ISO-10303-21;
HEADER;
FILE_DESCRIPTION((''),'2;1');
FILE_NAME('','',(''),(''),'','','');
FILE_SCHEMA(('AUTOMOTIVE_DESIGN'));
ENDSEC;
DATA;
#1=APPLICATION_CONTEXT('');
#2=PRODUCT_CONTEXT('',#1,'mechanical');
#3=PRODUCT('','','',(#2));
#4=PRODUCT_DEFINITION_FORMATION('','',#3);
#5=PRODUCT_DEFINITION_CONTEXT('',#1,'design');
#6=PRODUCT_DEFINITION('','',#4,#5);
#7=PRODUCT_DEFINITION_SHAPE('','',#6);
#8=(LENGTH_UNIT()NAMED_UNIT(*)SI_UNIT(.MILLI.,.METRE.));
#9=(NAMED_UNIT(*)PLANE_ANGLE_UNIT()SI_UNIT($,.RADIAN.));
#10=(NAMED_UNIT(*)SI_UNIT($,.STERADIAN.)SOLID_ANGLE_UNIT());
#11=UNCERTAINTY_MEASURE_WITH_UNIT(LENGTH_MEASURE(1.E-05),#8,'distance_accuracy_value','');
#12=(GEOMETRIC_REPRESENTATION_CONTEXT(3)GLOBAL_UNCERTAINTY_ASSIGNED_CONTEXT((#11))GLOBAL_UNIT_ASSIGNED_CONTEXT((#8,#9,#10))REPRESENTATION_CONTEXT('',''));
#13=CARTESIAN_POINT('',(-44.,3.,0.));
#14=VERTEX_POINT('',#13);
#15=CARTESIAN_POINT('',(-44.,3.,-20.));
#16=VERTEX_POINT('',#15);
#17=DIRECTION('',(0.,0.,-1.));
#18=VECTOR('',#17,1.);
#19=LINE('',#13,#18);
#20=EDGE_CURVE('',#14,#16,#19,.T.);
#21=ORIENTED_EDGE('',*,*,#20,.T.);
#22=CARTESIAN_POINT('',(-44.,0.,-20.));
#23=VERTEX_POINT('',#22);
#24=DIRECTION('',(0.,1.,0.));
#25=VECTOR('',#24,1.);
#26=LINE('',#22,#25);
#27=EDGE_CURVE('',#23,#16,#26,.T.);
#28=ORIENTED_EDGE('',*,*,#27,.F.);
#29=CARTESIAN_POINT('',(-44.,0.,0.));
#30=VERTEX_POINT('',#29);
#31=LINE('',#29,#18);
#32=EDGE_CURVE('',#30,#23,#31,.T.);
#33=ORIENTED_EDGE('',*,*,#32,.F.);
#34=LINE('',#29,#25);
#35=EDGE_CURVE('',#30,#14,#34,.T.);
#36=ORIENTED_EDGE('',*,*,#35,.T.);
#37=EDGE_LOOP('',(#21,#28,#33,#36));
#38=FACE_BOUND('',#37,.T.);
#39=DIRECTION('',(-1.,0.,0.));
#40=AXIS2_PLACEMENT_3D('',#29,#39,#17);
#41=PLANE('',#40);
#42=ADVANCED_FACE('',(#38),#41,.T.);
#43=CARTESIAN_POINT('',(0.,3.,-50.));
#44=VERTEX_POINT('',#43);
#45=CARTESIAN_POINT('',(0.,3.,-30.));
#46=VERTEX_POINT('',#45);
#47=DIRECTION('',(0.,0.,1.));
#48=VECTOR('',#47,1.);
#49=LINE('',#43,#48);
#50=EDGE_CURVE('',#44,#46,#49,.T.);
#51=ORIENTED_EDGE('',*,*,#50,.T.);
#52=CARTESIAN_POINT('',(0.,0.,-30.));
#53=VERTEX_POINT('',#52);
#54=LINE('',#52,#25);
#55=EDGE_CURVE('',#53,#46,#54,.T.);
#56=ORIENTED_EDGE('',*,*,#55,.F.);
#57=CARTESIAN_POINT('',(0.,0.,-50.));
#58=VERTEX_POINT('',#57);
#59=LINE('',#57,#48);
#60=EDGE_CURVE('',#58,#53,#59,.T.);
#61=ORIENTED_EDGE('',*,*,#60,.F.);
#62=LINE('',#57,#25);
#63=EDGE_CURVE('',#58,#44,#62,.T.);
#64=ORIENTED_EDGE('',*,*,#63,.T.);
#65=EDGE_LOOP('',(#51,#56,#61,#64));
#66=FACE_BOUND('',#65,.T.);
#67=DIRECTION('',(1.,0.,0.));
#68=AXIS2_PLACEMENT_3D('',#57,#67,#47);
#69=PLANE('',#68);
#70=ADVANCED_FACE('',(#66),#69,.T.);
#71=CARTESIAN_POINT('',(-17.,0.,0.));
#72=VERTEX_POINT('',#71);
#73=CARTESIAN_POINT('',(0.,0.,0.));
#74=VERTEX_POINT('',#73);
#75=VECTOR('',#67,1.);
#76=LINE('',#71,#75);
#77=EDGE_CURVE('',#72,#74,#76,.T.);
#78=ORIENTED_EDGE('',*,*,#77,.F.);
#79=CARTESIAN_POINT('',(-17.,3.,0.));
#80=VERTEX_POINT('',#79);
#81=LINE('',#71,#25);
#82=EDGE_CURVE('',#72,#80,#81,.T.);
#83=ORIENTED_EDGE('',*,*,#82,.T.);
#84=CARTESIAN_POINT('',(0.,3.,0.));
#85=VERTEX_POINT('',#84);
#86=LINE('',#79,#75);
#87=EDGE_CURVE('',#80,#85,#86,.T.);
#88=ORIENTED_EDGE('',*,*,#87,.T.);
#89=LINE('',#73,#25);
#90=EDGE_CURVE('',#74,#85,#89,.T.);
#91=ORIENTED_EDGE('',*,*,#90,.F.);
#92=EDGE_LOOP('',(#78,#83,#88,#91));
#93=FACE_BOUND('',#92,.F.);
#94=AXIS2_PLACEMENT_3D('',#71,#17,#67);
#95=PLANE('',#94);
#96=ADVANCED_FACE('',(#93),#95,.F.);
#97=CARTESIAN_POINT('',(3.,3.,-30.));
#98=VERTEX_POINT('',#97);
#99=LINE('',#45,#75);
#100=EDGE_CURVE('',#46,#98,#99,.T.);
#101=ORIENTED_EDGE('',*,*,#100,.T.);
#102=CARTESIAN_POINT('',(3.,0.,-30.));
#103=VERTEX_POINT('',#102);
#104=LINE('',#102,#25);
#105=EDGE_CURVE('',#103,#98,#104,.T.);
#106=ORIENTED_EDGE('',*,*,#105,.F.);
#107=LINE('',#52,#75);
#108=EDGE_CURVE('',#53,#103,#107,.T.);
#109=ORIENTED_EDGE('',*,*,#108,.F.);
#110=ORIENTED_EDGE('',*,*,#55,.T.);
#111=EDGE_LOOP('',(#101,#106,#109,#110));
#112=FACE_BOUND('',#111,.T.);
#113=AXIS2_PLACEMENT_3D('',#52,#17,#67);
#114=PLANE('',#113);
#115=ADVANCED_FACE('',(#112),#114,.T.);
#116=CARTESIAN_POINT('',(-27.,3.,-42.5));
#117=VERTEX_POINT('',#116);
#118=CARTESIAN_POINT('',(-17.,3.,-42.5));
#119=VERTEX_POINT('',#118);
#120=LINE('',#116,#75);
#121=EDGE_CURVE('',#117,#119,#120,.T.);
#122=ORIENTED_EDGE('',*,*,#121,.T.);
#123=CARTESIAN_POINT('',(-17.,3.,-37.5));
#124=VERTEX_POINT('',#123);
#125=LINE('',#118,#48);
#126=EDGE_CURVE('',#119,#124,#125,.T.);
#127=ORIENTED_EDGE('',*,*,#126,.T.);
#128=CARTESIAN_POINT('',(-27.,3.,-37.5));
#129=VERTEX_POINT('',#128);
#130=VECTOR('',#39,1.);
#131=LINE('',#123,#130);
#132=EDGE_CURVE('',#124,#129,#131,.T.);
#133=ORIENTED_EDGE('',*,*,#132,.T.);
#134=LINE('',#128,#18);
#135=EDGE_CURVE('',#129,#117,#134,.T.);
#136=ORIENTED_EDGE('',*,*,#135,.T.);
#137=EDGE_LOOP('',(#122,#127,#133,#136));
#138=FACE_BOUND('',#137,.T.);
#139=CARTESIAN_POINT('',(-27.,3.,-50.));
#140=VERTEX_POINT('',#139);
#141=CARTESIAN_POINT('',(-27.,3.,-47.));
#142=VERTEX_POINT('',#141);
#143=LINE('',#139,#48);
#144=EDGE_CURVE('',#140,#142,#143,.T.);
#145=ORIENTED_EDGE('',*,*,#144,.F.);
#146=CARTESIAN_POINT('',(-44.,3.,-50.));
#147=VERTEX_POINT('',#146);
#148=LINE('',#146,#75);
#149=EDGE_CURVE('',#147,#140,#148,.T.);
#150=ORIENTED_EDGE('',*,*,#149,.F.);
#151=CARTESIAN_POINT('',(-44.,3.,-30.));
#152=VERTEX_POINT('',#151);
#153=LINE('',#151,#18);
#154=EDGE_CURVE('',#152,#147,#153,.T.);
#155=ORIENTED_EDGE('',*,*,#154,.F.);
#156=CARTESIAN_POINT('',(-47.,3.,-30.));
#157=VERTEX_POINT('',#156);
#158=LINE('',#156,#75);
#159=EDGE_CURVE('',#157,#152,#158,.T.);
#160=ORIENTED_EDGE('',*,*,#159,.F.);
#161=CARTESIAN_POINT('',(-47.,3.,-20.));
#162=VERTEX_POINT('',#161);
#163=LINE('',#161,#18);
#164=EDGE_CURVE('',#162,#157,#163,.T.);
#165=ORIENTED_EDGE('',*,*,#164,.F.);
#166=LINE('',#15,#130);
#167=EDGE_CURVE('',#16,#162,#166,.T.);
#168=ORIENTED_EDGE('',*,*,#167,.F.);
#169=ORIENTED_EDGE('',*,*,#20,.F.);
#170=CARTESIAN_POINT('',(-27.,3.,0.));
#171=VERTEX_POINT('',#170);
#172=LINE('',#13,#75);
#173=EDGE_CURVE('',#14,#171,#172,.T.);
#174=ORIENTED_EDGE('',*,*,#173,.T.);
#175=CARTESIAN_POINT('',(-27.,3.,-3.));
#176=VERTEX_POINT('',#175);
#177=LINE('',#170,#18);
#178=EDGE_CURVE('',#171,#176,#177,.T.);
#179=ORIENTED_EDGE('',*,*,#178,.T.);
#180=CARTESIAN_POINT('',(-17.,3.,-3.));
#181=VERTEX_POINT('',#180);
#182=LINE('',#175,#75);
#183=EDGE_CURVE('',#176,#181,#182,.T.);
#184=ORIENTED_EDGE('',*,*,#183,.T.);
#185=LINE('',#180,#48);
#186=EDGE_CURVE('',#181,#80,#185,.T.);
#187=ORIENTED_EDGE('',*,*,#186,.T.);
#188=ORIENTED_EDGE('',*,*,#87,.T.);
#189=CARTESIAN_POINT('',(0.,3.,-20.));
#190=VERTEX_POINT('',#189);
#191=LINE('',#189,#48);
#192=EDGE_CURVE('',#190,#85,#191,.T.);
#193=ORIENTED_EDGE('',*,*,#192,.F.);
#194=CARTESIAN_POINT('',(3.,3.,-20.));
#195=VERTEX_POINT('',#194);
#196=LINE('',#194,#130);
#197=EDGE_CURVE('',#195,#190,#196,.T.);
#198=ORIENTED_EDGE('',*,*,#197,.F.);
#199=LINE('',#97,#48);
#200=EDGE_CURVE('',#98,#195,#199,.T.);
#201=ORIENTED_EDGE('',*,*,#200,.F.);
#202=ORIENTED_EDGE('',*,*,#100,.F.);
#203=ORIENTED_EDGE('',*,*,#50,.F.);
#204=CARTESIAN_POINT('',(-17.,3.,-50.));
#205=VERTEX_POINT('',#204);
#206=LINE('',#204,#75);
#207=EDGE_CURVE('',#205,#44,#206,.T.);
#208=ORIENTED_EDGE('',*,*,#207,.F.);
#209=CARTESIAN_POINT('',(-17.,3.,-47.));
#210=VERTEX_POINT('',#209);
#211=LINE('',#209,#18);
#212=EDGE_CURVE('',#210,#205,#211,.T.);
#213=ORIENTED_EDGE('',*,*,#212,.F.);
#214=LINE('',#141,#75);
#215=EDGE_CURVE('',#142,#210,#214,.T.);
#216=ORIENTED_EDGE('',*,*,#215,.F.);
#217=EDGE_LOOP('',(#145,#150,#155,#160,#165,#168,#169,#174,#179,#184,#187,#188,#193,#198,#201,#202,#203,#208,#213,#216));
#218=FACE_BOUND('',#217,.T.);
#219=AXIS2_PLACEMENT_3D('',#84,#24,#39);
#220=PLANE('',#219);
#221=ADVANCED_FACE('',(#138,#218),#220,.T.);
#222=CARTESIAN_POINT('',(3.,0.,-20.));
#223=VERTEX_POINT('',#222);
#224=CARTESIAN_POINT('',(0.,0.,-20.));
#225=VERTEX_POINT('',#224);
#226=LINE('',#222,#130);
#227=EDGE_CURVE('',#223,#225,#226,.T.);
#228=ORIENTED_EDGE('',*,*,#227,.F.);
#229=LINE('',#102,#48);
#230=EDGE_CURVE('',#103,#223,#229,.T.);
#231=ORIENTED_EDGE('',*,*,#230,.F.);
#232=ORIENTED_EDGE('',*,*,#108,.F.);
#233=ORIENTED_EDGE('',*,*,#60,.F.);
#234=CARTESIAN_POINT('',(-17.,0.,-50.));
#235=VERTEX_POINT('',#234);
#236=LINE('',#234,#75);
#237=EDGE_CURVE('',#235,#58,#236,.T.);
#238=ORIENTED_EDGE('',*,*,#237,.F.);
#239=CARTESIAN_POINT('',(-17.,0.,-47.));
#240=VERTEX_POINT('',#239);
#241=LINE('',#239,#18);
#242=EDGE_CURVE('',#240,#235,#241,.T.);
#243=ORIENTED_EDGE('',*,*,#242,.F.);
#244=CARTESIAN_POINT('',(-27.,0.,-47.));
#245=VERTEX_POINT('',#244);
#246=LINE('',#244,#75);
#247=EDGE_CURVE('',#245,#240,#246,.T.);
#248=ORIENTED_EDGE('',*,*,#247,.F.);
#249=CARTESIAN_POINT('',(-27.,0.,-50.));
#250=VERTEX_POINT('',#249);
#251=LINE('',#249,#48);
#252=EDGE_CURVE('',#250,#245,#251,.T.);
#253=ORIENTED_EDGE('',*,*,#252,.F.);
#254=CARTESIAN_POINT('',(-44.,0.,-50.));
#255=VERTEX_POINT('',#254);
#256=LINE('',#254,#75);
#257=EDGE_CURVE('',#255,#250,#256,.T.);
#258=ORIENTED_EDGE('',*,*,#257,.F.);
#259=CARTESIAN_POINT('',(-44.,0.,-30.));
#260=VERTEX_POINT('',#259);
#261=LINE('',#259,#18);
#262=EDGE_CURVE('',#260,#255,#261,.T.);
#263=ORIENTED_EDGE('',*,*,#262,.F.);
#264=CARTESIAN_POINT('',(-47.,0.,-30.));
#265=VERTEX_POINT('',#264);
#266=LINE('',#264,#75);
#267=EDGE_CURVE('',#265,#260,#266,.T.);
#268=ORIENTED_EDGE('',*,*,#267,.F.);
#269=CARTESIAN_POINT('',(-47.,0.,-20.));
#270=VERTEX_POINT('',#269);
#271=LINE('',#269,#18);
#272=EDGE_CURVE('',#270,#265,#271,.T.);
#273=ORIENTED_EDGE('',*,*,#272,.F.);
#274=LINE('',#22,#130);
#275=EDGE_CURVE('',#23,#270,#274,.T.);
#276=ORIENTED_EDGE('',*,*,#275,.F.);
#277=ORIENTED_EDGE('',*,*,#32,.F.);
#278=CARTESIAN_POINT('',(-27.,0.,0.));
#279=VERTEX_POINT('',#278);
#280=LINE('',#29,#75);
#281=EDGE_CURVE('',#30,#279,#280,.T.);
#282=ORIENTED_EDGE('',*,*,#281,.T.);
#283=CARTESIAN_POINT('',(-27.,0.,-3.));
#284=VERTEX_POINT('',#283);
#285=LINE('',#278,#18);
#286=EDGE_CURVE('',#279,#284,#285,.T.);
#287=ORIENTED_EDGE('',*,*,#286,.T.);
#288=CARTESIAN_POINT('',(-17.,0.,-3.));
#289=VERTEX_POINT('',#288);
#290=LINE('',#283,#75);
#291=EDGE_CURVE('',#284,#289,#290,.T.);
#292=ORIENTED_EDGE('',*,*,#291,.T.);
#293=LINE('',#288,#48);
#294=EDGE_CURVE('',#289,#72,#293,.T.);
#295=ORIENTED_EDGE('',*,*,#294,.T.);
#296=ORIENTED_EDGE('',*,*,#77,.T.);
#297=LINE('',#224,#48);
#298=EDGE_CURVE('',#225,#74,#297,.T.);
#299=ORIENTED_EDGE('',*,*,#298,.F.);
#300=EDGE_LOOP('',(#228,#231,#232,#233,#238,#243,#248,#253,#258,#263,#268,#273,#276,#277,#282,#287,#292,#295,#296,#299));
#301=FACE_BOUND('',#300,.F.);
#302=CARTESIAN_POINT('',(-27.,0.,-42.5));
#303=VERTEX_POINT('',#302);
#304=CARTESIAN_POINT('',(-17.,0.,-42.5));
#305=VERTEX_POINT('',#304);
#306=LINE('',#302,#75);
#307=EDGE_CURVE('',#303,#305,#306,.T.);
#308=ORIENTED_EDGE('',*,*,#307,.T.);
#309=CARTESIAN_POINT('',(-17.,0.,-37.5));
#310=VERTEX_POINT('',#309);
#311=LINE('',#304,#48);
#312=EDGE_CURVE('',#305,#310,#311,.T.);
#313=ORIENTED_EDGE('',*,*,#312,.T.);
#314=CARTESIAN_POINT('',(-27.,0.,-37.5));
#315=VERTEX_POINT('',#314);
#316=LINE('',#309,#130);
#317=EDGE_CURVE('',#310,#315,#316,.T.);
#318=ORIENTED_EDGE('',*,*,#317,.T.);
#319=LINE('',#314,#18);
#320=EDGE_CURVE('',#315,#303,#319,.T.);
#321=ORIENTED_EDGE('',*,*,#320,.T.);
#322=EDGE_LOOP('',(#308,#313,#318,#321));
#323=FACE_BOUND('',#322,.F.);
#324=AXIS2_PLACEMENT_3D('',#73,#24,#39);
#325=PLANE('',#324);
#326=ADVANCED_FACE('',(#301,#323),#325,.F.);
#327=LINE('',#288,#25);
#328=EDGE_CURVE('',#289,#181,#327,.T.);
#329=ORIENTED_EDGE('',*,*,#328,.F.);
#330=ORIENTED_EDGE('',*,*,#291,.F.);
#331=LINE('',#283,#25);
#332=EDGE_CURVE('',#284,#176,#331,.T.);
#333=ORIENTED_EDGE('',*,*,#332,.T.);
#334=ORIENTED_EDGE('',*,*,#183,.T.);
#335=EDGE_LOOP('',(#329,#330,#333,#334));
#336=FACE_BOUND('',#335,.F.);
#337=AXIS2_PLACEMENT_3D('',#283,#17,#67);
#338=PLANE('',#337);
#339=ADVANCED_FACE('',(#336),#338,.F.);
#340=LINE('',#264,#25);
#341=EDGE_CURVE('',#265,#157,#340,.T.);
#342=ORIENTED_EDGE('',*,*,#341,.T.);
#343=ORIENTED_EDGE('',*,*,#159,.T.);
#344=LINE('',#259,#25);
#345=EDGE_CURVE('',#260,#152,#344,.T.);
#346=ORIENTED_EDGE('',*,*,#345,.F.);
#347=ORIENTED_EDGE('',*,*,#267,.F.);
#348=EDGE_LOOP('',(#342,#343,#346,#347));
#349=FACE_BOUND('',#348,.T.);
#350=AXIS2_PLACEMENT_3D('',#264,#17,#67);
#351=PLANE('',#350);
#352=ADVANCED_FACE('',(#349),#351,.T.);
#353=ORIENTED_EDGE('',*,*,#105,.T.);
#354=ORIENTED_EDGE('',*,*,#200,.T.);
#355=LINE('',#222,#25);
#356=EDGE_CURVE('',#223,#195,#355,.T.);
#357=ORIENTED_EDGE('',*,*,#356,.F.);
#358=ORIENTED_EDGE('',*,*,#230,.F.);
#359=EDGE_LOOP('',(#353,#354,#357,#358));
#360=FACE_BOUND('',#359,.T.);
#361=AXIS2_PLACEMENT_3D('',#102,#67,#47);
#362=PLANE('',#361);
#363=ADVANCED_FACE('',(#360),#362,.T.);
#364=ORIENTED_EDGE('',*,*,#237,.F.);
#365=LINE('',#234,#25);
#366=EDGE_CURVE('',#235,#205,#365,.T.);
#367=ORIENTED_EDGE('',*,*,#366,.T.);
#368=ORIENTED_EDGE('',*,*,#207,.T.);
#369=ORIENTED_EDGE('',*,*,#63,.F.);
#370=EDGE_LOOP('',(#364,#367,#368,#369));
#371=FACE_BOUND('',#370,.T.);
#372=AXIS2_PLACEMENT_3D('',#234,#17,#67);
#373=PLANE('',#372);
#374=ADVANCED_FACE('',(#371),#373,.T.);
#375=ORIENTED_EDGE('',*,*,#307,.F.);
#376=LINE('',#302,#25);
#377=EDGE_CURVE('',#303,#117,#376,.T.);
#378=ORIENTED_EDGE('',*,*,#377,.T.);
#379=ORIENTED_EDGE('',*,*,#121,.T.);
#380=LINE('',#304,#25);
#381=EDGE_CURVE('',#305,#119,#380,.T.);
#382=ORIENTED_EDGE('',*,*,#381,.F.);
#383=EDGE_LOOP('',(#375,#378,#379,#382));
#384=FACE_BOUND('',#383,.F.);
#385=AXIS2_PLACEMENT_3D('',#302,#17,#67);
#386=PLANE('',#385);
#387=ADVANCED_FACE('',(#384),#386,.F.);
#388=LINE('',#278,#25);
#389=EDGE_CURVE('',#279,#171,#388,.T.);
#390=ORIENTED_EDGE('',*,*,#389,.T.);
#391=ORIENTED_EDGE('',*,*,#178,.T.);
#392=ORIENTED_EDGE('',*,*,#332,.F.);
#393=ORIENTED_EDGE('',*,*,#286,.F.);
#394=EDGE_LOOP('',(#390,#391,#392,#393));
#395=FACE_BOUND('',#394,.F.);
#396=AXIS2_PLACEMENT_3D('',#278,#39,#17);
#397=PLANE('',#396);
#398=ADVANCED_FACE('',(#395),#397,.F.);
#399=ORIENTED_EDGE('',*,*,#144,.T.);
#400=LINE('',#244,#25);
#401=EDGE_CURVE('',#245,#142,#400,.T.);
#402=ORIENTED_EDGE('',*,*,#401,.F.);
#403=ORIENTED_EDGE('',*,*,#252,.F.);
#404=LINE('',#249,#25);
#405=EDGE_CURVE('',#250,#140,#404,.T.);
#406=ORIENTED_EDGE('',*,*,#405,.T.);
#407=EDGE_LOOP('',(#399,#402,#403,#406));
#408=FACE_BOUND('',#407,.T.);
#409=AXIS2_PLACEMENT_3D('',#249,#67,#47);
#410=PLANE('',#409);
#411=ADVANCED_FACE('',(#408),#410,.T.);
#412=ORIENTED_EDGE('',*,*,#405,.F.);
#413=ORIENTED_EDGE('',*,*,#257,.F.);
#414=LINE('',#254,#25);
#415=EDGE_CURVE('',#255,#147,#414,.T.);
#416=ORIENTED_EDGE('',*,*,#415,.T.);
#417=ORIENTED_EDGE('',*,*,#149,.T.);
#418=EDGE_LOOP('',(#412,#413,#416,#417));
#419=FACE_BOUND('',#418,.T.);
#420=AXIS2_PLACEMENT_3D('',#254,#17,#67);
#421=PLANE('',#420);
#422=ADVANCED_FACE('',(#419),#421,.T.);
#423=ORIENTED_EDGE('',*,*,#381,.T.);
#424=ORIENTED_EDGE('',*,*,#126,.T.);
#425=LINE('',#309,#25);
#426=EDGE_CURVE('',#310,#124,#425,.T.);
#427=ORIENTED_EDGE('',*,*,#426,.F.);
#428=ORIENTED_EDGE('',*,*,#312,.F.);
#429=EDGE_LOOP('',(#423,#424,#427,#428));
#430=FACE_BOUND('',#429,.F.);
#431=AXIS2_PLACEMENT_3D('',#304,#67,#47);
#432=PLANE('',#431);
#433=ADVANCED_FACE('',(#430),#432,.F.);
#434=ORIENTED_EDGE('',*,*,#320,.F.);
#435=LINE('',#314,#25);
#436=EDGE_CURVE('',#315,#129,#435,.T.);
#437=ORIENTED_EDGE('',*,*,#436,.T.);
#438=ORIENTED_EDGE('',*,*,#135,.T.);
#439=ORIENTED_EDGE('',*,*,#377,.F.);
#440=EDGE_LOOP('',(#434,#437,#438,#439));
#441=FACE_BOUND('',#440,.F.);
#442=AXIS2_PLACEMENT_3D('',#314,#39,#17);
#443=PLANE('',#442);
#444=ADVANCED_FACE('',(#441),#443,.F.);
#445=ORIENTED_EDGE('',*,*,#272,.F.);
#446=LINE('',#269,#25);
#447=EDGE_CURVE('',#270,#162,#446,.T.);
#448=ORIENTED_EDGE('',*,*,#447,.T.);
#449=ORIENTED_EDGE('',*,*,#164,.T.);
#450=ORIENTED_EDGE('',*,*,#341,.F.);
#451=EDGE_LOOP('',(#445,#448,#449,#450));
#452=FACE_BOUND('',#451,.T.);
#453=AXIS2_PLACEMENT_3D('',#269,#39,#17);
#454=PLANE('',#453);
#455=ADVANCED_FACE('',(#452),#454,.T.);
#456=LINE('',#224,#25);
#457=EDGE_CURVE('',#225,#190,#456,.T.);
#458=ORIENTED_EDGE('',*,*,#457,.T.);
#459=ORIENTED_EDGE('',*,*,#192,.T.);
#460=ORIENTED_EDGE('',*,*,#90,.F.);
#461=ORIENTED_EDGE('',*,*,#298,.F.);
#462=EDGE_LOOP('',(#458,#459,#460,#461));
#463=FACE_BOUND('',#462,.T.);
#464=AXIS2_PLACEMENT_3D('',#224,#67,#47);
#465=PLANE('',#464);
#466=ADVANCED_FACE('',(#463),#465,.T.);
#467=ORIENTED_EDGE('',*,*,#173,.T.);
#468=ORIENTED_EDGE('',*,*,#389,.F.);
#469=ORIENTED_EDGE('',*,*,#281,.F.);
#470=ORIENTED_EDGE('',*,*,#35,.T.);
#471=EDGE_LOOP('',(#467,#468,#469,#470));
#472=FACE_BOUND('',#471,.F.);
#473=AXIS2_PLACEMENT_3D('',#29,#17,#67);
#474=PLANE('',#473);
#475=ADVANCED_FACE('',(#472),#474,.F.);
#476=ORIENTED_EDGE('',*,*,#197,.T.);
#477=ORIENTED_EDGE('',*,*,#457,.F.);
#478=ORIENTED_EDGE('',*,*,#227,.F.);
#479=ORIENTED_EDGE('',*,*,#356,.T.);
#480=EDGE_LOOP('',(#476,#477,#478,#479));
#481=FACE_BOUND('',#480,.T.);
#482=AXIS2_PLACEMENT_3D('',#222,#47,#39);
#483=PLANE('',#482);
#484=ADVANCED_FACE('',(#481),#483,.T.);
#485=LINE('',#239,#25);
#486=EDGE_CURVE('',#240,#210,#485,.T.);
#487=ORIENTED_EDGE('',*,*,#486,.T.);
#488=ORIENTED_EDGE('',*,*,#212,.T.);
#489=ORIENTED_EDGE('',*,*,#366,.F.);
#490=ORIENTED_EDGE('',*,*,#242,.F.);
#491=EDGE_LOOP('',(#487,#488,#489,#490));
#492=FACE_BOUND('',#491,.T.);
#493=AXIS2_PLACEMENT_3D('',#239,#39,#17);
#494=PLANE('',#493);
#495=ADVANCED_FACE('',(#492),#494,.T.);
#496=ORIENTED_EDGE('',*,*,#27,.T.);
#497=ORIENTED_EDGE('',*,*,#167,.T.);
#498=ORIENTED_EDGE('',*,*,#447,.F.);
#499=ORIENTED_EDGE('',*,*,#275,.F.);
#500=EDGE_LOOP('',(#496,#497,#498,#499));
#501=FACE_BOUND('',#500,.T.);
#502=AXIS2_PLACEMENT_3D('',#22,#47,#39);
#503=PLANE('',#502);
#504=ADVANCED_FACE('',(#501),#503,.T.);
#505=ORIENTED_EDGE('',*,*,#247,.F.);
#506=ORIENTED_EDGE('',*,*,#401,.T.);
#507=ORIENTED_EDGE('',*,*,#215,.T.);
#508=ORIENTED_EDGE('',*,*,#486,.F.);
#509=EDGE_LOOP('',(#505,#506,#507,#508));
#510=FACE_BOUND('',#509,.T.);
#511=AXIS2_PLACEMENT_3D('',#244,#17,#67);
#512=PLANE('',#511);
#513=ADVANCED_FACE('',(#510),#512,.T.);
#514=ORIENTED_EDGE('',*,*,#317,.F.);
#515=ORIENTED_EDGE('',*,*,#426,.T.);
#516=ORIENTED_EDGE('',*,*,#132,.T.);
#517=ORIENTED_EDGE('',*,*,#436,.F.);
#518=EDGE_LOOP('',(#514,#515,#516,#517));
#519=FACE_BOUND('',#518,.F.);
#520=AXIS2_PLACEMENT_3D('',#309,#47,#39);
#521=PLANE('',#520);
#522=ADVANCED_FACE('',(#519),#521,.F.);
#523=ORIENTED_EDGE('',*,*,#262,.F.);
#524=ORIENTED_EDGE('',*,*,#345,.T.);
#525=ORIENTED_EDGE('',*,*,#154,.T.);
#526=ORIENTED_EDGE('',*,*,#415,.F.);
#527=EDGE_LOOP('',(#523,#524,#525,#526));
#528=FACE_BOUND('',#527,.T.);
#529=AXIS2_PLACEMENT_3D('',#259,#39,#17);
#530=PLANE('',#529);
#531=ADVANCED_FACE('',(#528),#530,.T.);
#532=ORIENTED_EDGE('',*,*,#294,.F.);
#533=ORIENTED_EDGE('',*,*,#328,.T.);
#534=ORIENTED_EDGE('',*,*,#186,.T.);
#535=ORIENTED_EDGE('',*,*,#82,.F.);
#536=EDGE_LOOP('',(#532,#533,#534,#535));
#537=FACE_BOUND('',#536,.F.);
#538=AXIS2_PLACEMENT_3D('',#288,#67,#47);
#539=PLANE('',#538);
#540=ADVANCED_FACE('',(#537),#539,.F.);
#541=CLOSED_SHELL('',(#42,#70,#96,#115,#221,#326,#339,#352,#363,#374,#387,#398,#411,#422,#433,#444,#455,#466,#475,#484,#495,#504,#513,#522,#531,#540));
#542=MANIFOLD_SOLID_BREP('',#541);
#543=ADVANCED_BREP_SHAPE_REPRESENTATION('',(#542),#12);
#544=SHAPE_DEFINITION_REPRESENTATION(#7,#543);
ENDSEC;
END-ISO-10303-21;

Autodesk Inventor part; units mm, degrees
ref_plane "YZ Plane" through (0, 0, 0) normal (1, 0, 0) x (0, 1, 0)
ref_plane "XZ Plane" through (0, 0, 0) normal (0, 1, 0) x (-1, 0, 0)
ref_plane "XY Plane" through (0, 0, 0) normal (0, 0, 1) x (1, 0, 0)
sketch "Sketch1" plane through (0, 0, 0) normal (0, 1, 0) x (-1, 0, 0)
  line L0 (44, 0) -> (44, -20)
  line L1 (44, -20) -> (47, -20)
  line L2 (47, -20) -> (47, -30)
  line L3 (47, -30) -> (44, -30)
  line L4 (44, -30) -> (44, -50)
  line L5 (44, -50) -> (27, -50)
  line L6 (27, -50) -> (27, -47)
  line L7 (27, -47) -> (17, -47)
  line L8 (17, -47) -> (17, -50)
  line L9 (17, -50) -> (0, -50)
  line L10 (0, -50) -> (0, -30)
  line L11 (0, -30) -> (-3, -30)
  line L12 (-3, -30) -> (-3, -20)
  line L13 (-3, -20) -> (0, -20)
  line L14 (0, -20) -> (0, 0)
  line L15 (44, 0) -> (27, 0)
  line L16 (27, 0) -> (27, -3)
  line L17 (27, -3) -> (17, -3)
  line L18 (17, -3) -> (17, 0)
  line L19 (17, 0) -> (0, 0)
  line L20 (27, -42.5) -> (17, -42.5)
  line L21 (17, -42.5) -> (17, -37.5)
  line L22 (17, -37.5) -> (27, -37.5)
  line L23 (27, -37.5) -> (27, -42.5)
  point P0 (47, -25)
  point P1 (22, -3)
  point P2 (22, -47)
  point P3 (22, -42.5)
  dimension "d0" = 3
  dimension "d1" = 10
  dimension "d2" = 3
  dimension "d3" = 50
  dimension "d4" = 10
  dimension "d5" = 50
  dimension "d7" = 10
  dimension "d8" = 5
  dimension "d9" = 4.5
extrude "Extrusion1" add sketch "Sketch1" along normal blind 3
